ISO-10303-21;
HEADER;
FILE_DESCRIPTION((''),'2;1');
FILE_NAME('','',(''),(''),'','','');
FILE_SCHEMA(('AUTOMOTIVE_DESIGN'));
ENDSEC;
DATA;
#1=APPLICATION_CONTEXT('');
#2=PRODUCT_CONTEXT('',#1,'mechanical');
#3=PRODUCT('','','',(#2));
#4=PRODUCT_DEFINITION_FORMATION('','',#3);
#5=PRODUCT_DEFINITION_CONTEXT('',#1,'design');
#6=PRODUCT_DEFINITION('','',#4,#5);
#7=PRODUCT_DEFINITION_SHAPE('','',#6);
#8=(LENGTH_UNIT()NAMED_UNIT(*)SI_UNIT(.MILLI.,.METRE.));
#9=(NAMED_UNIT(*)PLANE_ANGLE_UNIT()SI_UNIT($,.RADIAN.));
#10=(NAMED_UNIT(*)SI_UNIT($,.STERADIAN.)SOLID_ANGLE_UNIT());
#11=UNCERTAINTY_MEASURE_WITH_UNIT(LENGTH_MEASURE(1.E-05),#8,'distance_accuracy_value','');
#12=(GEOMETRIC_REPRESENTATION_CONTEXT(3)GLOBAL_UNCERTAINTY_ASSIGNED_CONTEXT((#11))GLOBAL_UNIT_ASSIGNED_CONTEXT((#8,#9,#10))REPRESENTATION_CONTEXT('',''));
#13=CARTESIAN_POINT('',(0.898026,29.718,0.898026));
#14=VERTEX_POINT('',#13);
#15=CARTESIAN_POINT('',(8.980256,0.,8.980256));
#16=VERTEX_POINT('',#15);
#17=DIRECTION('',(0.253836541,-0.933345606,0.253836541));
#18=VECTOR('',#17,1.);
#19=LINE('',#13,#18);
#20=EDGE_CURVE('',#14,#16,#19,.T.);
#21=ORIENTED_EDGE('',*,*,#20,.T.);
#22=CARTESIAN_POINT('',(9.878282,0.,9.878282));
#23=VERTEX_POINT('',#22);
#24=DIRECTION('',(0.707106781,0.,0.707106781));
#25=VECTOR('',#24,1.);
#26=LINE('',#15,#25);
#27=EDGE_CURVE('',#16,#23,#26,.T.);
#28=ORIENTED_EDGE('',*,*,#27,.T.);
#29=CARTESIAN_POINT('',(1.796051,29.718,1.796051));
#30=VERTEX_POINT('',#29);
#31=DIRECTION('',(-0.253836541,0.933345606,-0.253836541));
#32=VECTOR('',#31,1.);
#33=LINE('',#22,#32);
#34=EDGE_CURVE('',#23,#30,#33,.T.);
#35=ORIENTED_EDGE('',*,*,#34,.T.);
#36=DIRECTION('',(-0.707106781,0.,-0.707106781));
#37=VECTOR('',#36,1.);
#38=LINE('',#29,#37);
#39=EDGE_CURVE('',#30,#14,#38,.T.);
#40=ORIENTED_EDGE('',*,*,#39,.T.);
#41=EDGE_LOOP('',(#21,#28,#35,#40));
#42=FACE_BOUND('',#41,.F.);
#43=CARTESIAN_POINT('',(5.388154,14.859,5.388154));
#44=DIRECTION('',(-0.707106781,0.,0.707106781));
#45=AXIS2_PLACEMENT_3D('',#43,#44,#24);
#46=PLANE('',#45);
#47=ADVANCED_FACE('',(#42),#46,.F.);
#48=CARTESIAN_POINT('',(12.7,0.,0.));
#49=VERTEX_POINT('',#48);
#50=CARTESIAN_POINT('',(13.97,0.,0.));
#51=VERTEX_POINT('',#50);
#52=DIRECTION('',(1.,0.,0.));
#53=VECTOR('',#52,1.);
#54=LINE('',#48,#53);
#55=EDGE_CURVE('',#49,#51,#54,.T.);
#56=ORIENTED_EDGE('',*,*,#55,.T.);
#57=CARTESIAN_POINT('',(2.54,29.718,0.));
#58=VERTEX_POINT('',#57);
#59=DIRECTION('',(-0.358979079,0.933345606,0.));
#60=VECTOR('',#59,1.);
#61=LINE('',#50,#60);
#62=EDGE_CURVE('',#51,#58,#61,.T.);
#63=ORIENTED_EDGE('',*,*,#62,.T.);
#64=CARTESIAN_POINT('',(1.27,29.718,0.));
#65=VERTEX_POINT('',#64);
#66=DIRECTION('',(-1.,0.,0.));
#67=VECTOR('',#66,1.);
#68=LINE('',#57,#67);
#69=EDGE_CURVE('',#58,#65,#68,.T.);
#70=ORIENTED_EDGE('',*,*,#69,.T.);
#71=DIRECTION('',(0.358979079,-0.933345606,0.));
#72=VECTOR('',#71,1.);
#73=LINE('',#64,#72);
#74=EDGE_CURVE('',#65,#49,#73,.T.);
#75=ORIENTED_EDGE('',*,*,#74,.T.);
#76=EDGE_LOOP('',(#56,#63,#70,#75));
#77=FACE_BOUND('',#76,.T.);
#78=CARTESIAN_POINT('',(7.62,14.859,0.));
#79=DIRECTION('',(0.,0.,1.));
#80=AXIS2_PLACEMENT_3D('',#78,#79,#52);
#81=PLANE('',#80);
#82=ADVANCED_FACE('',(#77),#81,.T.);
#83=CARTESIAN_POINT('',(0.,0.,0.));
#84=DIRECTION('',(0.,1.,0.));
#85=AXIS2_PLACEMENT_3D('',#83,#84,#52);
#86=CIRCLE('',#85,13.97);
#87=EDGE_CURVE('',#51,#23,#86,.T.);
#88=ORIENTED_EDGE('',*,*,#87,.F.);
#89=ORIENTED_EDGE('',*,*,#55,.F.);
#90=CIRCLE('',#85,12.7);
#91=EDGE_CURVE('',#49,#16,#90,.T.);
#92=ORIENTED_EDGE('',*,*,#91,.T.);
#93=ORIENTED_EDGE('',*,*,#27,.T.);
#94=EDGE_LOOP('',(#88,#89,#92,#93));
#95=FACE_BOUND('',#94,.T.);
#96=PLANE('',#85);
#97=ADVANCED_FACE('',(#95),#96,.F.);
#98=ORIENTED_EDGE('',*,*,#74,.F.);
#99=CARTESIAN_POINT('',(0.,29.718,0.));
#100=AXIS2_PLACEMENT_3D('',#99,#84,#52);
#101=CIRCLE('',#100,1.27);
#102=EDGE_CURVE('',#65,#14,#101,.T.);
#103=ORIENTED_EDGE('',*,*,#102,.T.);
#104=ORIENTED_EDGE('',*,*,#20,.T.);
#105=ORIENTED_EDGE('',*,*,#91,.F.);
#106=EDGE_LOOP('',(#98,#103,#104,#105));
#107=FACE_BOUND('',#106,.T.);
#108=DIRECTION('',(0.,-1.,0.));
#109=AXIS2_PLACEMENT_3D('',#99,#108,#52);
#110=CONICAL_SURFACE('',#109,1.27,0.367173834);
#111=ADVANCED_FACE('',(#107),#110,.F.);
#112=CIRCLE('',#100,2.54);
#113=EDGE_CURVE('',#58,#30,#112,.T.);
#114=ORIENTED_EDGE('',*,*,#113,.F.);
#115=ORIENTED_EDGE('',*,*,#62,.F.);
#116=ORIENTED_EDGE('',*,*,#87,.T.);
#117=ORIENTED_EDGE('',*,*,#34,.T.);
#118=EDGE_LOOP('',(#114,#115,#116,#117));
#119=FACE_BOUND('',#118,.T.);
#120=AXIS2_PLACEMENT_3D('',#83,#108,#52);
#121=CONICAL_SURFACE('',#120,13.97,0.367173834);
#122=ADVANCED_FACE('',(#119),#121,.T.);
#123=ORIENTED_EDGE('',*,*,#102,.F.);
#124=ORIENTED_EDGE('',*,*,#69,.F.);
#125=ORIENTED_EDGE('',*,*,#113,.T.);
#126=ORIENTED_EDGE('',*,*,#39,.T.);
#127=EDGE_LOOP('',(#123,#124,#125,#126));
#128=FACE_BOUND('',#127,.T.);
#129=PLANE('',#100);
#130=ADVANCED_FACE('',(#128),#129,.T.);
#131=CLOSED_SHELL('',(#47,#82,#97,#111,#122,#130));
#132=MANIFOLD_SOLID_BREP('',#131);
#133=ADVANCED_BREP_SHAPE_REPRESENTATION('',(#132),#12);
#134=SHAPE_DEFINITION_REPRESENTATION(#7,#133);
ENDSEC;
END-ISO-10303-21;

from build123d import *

# Parameters (mm, degrees)
F1_ANGLE = 315


with BuildPart() as f1:
    # F0 (on Top) → F1 (revolve)
    with BuildSketch(Plane.XY):
        Polygon((2.54, 29.718), (1.27, 29.718), (12.7, 0), (13.97, 0), align=None)
    revolve(axis=Axis((0, 16.51, 0), (0, 1, 0)), revolution_arc=F1_ANGLE)


solid = f1.part
